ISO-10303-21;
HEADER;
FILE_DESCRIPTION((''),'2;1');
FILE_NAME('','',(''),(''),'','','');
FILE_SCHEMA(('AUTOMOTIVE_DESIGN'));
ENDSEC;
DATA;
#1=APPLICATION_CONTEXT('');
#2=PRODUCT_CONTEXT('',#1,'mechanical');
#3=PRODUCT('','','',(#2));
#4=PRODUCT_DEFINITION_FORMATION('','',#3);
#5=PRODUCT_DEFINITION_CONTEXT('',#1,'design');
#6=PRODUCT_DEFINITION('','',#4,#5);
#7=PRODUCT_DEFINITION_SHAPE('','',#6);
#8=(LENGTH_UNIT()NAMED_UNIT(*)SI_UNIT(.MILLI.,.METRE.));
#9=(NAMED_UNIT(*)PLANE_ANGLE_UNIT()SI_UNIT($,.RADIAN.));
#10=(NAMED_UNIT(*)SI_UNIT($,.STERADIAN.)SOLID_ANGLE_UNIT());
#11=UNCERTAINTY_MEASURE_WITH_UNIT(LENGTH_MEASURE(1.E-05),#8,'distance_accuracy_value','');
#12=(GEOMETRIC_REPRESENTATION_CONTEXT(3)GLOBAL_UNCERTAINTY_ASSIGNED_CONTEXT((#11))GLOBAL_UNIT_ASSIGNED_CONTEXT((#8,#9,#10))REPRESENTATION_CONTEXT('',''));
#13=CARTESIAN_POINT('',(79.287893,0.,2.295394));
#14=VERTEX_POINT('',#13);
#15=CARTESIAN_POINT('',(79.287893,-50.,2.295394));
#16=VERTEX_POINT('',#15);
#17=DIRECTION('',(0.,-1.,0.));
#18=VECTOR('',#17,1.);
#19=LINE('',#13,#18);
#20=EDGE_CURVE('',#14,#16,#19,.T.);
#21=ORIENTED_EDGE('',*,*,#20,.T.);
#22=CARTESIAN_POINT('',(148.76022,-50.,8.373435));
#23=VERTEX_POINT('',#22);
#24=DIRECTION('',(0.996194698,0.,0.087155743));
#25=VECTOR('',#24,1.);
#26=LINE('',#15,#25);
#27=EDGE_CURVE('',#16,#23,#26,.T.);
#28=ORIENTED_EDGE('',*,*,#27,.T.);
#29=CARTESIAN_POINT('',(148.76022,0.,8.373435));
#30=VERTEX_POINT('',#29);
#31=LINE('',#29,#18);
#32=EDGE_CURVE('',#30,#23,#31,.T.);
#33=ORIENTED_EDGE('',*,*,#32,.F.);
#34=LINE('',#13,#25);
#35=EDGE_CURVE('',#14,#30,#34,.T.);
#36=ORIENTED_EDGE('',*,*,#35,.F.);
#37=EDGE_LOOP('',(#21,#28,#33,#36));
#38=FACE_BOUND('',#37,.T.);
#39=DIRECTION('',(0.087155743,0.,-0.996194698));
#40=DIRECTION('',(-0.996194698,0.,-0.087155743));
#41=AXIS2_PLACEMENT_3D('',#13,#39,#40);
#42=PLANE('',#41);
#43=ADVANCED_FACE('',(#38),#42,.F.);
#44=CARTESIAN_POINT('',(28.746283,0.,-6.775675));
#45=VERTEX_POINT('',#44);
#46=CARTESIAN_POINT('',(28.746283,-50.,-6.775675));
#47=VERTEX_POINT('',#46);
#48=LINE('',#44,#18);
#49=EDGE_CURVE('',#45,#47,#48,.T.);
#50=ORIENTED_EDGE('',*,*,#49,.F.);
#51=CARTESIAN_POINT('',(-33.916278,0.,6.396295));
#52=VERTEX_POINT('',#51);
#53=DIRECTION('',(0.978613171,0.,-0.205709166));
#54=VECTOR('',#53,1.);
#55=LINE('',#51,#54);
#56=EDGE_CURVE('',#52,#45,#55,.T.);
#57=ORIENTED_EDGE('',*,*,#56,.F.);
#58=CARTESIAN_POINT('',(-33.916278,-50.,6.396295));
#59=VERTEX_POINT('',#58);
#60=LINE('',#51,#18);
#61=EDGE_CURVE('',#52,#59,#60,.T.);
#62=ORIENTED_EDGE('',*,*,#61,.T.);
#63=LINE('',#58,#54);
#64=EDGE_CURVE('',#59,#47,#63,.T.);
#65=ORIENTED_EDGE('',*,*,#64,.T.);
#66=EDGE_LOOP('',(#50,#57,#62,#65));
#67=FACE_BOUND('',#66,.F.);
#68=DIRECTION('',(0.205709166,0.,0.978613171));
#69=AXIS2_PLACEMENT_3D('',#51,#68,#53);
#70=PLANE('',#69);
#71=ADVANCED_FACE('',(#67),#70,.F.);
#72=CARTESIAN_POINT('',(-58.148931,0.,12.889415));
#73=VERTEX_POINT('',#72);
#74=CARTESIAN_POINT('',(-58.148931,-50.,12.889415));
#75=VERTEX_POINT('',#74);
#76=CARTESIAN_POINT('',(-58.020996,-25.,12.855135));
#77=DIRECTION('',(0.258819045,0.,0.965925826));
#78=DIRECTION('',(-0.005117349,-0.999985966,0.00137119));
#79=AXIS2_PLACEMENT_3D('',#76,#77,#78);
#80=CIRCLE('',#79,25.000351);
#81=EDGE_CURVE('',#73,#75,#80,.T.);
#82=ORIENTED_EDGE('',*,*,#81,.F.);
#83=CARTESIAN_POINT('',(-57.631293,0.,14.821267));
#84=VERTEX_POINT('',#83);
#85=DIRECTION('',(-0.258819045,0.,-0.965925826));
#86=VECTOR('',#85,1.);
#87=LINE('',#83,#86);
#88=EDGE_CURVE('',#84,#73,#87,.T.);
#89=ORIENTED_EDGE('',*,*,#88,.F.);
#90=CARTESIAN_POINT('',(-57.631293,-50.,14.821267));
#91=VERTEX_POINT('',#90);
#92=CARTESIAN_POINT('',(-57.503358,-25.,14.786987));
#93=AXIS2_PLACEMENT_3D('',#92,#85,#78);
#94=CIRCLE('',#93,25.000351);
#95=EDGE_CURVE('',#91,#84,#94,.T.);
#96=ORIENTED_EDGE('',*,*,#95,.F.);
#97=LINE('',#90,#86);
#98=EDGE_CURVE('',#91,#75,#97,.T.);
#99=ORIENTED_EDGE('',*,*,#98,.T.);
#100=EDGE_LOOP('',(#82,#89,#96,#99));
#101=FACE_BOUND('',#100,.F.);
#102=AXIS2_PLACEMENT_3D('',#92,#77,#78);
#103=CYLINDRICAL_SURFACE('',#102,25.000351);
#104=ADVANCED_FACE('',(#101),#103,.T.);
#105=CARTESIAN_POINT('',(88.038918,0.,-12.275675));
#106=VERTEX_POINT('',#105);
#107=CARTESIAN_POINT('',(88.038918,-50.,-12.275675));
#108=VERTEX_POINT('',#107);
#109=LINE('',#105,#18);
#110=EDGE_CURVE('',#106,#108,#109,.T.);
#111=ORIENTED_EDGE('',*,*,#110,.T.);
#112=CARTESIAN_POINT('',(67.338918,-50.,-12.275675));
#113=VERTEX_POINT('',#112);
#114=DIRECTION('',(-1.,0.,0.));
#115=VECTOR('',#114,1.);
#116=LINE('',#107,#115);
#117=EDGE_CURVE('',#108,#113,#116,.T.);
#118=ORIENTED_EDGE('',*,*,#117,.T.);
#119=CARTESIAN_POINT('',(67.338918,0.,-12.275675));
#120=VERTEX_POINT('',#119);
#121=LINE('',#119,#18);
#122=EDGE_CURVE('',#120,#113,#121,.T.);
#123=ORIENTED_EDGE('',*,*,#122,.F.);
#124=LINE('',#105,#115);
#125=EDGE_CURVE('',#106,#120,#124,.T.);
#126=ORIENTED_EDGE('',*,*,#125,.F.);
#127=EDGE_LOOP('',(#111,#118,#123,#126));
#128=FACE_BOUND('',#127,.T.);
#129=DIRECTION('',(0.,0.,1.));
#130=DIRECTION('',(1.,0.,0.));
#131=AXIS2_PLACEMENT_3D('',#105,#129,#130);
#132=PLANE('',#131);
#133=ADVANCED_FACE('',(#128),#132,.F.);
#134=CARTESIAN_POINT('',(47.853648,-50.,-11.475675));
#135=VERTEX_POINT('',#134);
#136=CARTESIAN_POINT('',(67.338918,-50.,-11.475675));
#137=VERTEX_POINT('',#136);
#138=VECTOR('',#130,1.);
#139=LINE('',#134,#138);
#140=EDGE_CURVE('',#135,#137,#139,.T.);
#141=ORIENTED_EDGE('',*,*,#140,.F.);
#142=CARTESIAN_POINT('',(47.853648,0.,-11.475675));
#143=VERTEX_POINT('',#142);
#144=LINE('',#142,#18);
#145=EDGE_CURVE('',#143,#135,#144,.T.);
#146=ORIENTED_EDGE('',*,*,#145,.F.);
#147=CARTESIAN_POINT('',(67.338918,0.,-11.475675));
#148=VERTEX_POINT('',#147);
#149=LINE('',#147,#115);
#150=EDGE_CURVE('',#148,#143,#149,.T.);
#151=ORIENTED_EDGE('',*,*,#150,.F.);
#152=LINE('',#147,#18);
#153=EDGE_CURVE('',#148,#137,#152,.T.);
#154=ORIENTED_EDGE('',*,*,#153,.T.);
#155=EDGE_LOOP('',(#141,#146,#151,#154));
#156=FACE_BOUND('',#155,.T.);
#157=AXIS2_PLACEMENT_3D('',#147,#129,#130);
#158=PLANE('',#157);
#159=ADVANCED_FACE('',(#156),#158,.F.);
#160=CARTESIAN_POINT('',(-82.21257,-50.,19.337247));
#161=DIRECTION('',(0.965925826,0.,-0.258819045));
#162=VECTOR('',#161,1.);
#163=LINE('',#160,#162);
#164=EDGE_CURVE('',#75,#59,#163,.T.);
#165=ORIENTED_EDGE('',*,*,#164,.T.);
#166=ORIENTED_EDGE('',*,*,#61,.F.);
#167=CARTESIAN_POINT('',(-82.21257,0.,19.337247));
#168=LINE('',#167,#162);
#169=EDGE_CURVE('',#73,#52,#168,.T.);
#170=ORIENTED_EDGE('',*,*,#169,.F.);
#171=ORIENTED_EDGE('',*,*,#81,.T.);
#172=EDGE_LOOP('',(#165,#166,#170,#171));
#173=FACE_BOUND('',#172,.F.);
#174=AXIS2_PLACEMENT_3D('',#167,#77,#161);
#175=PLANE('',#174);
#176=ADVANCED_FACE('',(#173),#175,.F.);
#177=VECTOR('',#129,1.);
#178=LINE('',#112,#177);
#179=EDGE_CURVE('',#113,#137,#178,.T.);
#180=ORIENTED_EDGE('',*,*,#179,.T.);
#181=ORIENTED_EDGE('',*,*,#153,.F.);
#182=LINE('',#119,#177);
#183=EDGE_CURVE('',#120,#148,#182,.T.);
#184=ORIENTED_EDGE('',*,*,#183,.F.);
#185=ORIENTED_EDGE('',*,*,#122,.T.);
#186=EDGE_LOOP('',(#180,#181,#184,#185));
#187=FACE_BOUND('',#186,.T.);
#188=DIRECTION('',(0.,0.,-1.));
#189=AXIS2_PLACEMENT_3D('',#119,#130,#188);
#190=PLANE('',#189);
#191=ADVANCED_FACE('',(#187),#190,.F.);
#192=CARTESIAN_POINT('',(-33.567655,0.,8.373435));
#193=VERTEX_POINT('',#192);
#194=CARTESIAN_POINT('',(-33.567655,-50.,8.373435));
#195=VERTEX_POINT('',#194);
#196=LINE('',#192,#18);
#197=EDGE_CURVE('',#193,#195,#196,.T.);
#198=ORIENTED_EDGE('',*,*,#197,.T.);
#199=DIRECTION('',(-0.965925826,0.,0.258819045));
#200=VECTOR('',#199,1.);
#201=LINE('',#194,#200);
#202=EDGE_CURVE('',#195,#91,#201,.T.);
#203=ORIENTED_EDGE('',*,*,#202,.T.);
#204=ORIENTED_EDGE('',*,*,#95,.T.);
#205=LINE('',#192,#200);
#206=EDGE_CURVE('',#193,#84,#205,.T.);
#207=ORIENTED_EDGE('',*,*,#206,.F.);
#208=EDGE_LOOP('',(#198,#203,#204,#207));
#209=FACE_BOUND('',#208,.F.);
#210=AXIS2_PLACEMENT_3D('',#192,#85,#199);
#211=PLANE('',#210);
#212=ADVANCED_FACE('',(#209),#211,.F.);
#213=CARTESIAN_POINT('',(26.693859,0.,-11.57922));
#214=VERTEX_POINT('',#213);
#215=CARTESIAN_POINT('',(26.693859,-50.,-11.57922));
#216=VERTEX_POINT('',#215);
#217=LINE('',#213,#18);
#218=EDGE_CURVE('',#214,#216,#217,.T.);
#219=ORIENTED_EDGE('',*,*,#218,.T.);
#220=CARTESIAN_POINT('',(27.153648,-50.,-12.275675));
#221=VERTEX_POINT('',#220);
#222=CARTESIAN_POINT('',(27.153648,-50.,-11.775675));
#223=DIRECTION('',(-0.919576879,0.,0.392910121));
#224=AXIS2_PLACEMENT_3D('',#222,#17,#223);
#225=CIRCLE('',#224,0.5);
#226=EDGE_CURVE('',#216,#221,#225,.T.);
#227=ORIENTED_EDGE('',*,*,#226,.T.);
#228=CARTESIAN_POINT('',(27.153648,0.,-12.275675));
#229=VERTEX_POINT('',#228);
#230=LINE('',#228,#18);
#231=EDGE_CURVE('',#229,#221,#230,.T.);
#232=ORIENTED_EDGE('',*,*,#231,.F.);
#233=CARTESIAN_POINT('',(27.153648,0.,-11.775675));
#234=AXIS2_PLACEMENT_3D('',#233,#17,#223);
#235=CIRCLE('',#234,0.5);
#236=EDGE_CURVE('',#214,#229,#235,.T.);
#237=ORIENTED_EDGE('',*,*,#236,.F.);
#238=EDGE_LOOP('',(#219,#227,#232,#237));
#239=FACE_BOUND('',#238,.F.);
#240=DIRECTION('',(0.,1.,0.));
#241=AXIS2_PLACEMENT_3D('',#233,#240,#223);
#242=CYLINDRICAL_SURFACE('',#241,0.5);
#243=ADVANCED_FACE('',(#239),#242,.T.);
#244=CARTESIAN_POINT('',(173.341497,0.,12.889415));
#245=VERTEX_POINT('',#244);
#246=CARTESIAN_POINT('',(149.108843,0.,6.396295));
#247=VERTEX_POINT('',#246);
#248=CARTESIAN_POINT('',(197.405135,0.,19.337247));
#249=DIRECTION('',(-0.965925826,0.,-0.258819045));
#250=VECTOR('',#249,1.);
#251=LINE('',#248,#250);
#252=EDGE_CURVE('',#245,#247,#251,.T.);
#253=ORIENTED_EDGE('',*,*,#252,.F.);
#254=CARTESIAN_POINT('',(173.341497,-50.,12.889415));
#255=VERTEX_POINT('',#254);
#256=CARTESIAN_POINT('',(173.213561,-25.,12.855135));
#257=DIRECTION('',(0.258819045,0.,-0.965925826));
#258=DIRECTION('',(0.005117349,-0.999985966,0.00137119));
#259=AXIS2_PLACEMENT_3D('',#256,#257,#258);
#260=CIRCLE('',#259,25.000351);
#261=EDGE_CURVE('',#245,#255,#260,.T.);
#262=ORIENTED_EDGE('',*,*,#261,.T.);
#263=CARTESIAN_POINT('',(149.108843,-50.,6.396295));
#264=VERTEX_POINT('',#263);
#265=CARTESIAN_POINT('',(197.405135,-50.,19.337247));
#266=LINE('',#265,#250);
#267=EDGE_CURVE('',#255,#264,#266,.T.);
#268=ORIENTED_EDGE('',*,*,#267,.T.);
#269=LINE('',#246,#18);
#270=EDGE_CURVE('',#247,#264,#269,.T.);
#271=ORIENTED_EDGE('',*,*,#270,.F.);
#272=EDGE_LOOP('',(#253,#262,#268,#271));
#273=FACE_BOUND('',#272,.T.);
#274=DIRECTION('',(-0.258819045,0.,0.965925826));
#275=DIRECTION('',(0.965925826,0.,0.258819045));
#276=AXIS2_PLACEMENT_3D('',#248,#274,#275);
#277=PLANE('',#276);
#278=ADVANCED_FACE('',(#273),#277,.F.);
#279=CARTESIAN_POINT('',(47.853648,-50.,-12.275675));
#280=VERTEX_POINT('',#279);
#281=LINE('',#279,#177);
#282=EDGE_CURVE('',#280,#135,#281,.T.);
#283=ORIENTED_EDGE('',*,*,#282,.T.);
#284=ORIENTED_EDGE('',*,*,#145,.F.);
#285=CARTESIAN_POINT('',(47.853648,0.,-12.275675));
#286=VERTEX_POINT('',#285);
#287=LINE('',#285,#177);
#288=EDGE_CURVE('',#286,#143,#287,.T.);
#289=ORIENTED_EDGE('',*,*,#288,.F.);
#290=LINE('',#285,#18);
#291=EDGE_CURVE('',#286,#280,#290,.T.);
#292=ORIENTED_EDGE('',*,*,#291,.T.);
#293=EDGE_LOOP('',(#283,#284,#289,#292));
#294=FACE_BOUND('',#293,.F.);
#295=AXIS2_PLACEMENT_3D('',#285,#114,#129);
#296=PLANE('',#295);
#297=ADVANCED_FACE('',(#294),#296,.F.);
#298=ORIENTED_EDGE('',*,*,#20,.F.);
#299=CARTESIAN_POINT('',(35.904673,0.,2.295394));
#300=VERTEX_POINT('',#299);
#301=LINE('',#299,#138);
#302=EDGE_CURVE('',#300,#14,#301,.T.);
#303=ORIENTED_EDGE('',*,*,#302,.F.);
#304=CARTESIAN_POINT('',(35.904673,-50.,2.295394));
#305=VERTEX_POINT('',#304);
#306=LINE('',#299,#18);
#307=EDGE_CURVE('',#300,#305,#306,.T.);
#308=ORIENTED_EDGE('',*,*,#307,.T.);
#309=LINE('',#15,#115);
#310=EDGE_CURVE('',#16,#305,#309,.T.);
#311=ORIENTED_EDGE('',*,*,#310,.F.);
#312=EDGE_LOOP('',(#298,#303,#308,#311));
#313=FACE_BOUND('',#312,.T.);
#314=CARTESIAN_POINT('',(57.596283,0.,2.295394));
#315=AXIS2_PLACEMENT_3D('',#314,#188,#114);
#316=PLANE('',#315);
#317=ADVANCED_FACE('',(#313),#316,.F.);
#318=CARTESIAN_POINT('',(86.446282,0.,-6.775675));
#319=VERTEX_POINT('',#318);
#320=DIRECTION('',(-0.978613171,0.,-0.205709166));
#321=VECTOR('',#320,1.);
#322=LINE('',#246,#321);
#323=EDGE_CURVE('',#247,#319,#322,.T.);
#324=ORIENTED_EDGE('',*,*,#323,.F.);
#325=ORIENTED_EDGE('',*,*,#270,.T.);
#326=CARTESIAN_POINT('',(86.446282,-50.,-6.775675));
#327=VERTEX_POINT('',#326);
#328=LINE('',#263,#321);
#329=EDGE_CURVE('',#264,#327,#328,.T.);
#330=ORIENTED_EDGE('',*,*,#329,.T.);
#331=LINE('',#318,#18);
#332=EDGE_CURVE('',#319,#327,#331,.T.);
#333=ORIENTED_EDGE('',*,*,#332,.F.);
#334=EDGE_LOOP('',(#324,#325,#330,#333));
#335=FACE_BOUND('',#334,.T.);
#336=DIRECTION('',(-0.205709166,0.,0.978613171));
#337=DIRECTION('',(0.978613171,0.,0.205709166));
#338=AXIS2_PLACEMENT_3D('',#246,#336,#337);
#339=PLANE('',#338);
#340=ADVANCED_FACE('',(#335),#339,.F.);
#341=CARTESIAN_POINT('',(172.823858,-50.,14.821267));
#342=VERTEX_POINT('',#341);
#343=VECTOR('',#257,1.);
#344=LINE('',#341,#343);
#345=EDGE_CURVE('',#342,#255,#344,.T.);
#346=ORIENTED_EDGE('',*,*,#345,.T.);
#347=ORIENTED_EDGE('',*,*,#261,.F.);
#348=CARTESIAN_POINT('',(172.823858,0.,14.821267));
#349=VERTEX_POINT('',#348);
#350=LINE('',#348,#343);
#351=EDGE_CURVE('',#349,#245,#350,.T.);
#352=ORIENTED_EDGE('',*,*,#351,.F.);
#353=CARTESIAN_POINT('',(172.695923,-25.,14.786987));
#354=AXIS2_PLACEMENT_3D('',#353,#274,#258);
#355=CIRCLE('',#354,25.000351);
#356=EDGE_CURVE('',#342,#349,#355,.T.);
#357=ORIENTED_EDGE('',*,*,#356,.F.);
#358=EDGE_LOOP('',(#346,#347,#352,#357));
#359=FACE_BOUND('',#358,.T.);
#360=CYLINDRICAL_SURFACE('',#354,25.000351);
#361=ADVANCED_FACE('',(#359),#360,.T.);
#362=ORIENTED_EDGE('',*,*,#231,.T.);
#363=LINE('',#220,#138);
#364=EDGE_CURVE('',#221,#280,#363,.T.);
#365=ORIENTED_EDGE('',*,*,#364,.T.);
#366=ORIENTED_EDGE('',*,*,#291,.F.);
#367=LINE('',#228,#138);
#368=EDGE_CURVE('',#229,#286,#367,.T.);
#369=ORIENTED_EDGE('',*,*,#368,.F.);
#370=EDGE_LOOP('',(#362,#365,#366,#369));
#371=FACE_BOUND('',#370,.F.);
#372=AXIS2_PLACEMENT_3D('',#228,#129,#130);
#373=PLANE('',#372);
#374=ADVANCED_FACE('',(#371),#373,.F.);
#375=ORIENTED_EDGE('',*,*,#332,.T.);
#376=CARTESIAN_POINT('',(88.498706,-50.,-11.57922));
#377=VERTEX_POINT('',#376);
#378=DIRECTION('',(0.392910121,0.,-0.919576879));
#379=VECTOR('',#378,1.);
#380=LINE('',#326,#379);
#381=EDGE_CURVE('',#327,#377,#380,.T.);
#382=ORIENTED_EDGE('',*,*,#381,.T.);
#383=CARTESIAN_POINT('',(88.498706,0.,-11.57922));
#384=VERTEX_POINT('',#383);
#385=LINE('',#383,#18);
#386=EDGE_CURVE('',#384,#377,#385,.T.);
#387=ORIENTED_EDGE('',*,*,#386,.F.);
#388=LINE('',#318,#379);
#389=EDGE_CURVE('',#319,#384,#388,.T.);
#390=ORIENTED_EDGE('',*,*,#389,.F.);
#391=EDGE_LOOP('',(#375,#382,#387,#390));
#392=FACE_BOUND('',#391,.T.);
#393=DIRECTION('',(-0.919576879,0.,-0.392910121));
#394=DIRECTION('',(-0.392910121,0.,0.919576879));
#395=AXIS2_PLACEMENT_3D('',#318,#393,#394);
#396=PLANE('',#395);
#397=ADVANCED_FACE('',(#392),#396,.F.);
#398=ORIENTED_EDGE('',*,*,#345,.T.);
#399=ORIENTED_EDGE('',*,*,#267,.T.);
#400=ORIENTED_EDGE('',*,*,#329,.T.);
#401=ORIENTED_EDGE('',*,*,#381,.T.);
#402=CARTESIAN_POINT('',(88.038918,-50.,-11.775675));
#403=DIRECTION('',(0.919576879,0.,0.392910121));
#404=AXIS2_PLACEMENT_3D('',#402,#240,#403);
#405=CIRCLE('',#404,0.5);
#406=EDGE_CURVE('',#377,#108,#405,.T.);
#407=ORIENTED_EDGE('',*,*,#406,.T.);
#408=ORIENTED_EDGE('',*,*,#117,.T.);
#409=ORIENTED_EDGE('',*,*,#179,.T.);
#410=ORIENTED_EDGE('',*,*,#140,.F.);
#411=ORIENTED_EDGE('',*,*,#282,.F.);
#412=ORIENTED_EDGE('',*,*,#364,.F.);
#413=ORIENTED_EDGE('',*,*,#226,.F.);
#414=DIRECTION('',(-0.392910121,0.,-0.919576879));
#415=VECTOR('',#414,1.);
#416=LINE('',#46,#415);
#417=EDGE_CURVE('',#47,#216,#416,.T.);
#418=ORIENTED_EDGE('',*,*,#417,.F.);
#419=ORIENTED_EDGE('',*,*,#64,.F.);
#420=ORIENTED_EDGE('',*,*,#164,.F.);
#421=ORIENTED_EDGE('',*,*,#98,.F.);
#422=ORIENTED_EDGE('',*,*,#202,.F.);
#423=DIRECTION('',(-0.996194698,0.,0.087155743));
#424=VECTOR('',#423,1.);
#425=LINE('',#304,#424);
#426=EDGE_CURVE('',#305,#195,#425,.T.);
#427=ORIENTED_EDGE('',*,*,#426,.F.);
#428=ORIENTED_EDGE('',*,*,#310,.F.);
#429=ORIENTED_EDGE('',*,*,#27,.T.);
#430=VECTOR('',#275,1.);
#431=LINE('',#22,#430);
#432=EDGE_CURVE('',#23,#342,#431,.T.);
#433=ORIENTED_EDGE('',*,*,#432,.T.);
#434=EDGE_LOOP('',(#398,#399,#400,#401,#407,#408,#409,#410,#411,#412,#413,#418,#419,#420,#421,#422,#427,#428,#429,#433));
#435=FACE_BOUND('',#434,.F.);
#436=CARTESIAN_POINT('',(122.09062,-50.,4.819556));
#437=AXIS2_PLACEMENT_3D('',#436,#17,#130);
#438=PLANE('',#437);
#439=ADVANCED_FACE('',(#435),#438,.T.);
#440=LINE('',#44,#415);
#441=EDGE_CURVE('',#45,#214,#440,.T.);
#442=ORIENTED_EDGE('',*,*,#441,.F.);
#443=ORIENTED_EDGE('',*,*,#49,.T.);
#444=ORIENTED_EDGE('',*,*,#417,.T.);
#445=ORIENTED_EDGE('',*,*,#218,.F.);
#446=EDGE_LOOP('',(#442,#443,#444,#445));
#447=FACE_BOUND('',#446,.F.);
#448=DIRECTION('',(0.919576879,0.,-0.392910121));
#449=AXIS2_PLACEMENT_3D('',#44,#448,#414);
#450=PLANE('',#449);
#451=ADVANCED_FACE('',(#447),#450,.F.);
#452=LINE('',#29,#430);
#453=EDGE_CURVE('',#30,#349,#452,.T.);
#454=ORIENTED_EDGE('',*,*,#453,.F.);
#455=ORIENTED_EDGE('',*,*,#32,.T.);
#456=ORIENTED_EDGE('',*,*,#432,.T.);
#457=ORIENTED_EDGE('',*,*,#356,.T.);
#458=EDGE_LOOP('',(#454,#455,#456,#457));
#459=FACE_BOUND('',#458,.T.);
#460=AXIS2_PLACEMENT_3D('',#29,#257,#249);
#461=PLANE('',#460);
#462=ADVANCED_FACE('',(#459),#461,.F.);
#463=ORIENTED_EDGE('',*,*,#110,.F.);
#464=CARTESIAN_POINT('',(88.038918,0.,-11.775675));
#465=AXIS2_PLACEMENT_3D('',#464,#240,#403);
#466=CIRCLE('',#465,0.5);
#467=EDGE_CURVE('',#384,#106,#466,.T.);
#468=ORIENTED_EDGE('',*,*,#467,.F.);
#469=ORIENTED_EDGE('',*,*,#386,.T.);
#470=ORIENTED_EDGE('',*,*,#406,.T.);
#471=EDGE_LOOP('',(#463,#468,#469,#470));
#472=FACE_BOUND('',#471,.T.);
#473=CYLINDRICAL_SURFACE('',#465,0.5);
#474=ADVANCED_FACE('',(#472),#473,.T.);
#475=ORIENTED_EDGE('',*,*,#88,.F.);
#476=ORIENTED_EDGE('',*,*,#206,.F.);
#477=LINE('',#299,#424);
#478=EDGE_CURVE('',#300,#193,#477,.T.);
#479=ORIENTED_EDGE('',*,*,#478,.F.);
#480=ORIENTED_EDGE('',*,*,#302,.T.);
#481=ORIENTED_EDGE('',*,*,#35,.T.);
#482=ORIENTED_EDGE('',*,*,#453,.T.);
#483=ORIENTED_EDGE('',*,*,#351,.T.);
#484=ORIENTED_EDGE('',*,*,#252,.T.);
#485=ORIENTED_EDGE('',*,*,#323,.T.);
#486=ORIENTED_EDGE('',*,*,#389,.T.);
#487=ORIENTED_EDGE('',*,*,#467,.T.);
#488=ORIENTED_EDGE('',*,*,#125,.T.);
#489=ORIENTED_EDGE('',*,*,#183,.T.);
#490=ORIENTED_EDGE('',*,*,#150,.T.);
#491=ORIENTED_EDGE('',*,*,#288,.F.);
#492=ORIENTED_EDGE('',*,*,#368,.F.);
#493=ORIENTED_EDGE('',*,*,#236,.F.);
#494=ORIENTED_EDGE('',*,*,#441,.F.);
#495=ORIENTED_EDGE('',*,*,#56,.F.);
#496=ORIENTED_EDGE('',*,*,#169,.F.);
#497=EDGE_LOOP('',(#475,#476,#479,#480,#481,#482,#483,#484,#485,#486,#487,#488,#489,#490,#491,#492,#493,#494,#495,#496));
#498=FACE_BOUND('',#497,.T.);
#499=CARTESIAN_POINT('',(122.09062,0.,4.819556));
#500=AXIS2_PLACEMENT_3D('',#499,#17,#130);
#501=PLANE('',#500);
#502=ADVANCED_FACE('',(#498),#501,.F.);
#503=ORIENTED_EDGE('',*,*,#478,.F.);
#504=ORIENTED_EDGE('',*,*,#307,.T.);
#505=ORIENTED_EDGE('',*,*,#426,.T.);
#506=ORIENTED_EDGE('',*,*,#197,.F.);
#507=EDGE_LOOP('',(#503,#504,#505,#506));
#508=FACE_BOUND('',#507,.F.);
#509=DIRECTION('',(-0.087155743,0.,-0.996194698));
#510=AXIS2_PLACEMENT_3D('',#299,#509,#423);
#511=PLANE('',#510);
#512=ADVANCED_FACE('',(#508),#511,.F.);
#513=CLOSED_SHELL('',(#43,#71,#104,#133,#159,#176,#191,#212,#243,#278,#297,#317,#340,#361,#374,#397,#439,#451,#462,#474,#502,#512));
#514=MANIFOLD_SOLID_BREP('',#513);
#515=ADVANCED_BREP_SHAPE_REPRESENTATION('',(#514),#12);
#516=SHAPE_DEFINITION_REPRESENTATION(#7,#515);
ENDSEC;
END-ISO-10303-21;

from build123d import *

# Parameters (mm, degrees)
F1_DEPTH = 50
F2_W     = 25.7950418632
F2_H     = 50
F3_DEPTH = 9.8


with BuildPart() as f1:
    # F0 (on Front) → F1 (new body)
    with BuildSketch(Plane.XZ):
        with BuildLine():
            Line((28.7462828253, -6.7756745863), (26.6938590785, -11.5792195258))
            ThreePointArc((26.6938590785, -11.5792195258), (26.7363781025, -12.0511491494), (27.153647518, -12.2756745863))
            Line((27.153647518, -12.2756745863), (47.853647518, -12.2756745863))
            Line((47.853647518, -12.2756745863), (47.853647518, -11.4756745863))
            Line((47.853647518, -11.4756745863), (57.5962825562, -11.4756745863))
            Line((57.5962825562, -11.4756745863), (57.5962825562, 2.2953939865))
            Line((57.5962825562, 2.2953939865), (35.9046725562, 2.2953939865))
            Line((35.9046725562, 2.2953939865), (-33.5676551256, 8.3734350875))
            Line((-33.5676551256, 8.3734350875), (-81.6949312565, 21.2690998606))
            ThreePointArc((-81.6949312565, 21.2690998606), (-82.9196765939, 20.5619928104), (-82.2125695437, 19.337247473))
            Line((-82.2125695437, 19.337247473), (-33.9162782292, 6.3962952179))
            Line((-33.9162782292, 6.3962952179), (35.8173506372, 0.2953932255))
            Line((35.8173506372, 0.2953932255), (28.7462828253, -6.7756745863))
        make_face()
        Polygon((-33.9162782292, 6.3962952179), (28.7462828253, -6.7756745863), (35.8173506372, 0.2953932255), align=None)
    extrude(amount=F1_DEPTH)

    # F2 (on face) → F3 (cut)
    with BuildSketch(Plane(origin=(-0.1552477488, 0, -0.5793924863), x_dir=(0.9659258263, 0, -0.2588190451), z_dir=(0.2588190451, 0, 0.9659258263))):
        with BuildLine():
            Line((-84.4160920937, -50), (-59.5035807905, -50))
            ThreePointArc((-59.5035807905, -50), (-84.3714830361, -25), (-59.5035807905, 0))
            Line((-59.5035807905, 0), (-84.4160920937, 0))
            Line((-84.4160920937, 0), (-84.4160920937, -50))
        make_face()
        with Locations((-97.3136130253, -25)):
            Rectangle(F2_W, F2_H)
    extrude(amount=-F3_DEPTH, mode=Mode.SUBTRACT)

    # F4: F1 across face


with BuildPart() as f1_1:
    add(f1.part)
    add(f1.part.mirror(Plane(origin=(57.5962825562, -25, -4.5901402999), x_dir=(0, 1, 0), z_dir=(1, 0, 0))))


solid = f1_1.part
